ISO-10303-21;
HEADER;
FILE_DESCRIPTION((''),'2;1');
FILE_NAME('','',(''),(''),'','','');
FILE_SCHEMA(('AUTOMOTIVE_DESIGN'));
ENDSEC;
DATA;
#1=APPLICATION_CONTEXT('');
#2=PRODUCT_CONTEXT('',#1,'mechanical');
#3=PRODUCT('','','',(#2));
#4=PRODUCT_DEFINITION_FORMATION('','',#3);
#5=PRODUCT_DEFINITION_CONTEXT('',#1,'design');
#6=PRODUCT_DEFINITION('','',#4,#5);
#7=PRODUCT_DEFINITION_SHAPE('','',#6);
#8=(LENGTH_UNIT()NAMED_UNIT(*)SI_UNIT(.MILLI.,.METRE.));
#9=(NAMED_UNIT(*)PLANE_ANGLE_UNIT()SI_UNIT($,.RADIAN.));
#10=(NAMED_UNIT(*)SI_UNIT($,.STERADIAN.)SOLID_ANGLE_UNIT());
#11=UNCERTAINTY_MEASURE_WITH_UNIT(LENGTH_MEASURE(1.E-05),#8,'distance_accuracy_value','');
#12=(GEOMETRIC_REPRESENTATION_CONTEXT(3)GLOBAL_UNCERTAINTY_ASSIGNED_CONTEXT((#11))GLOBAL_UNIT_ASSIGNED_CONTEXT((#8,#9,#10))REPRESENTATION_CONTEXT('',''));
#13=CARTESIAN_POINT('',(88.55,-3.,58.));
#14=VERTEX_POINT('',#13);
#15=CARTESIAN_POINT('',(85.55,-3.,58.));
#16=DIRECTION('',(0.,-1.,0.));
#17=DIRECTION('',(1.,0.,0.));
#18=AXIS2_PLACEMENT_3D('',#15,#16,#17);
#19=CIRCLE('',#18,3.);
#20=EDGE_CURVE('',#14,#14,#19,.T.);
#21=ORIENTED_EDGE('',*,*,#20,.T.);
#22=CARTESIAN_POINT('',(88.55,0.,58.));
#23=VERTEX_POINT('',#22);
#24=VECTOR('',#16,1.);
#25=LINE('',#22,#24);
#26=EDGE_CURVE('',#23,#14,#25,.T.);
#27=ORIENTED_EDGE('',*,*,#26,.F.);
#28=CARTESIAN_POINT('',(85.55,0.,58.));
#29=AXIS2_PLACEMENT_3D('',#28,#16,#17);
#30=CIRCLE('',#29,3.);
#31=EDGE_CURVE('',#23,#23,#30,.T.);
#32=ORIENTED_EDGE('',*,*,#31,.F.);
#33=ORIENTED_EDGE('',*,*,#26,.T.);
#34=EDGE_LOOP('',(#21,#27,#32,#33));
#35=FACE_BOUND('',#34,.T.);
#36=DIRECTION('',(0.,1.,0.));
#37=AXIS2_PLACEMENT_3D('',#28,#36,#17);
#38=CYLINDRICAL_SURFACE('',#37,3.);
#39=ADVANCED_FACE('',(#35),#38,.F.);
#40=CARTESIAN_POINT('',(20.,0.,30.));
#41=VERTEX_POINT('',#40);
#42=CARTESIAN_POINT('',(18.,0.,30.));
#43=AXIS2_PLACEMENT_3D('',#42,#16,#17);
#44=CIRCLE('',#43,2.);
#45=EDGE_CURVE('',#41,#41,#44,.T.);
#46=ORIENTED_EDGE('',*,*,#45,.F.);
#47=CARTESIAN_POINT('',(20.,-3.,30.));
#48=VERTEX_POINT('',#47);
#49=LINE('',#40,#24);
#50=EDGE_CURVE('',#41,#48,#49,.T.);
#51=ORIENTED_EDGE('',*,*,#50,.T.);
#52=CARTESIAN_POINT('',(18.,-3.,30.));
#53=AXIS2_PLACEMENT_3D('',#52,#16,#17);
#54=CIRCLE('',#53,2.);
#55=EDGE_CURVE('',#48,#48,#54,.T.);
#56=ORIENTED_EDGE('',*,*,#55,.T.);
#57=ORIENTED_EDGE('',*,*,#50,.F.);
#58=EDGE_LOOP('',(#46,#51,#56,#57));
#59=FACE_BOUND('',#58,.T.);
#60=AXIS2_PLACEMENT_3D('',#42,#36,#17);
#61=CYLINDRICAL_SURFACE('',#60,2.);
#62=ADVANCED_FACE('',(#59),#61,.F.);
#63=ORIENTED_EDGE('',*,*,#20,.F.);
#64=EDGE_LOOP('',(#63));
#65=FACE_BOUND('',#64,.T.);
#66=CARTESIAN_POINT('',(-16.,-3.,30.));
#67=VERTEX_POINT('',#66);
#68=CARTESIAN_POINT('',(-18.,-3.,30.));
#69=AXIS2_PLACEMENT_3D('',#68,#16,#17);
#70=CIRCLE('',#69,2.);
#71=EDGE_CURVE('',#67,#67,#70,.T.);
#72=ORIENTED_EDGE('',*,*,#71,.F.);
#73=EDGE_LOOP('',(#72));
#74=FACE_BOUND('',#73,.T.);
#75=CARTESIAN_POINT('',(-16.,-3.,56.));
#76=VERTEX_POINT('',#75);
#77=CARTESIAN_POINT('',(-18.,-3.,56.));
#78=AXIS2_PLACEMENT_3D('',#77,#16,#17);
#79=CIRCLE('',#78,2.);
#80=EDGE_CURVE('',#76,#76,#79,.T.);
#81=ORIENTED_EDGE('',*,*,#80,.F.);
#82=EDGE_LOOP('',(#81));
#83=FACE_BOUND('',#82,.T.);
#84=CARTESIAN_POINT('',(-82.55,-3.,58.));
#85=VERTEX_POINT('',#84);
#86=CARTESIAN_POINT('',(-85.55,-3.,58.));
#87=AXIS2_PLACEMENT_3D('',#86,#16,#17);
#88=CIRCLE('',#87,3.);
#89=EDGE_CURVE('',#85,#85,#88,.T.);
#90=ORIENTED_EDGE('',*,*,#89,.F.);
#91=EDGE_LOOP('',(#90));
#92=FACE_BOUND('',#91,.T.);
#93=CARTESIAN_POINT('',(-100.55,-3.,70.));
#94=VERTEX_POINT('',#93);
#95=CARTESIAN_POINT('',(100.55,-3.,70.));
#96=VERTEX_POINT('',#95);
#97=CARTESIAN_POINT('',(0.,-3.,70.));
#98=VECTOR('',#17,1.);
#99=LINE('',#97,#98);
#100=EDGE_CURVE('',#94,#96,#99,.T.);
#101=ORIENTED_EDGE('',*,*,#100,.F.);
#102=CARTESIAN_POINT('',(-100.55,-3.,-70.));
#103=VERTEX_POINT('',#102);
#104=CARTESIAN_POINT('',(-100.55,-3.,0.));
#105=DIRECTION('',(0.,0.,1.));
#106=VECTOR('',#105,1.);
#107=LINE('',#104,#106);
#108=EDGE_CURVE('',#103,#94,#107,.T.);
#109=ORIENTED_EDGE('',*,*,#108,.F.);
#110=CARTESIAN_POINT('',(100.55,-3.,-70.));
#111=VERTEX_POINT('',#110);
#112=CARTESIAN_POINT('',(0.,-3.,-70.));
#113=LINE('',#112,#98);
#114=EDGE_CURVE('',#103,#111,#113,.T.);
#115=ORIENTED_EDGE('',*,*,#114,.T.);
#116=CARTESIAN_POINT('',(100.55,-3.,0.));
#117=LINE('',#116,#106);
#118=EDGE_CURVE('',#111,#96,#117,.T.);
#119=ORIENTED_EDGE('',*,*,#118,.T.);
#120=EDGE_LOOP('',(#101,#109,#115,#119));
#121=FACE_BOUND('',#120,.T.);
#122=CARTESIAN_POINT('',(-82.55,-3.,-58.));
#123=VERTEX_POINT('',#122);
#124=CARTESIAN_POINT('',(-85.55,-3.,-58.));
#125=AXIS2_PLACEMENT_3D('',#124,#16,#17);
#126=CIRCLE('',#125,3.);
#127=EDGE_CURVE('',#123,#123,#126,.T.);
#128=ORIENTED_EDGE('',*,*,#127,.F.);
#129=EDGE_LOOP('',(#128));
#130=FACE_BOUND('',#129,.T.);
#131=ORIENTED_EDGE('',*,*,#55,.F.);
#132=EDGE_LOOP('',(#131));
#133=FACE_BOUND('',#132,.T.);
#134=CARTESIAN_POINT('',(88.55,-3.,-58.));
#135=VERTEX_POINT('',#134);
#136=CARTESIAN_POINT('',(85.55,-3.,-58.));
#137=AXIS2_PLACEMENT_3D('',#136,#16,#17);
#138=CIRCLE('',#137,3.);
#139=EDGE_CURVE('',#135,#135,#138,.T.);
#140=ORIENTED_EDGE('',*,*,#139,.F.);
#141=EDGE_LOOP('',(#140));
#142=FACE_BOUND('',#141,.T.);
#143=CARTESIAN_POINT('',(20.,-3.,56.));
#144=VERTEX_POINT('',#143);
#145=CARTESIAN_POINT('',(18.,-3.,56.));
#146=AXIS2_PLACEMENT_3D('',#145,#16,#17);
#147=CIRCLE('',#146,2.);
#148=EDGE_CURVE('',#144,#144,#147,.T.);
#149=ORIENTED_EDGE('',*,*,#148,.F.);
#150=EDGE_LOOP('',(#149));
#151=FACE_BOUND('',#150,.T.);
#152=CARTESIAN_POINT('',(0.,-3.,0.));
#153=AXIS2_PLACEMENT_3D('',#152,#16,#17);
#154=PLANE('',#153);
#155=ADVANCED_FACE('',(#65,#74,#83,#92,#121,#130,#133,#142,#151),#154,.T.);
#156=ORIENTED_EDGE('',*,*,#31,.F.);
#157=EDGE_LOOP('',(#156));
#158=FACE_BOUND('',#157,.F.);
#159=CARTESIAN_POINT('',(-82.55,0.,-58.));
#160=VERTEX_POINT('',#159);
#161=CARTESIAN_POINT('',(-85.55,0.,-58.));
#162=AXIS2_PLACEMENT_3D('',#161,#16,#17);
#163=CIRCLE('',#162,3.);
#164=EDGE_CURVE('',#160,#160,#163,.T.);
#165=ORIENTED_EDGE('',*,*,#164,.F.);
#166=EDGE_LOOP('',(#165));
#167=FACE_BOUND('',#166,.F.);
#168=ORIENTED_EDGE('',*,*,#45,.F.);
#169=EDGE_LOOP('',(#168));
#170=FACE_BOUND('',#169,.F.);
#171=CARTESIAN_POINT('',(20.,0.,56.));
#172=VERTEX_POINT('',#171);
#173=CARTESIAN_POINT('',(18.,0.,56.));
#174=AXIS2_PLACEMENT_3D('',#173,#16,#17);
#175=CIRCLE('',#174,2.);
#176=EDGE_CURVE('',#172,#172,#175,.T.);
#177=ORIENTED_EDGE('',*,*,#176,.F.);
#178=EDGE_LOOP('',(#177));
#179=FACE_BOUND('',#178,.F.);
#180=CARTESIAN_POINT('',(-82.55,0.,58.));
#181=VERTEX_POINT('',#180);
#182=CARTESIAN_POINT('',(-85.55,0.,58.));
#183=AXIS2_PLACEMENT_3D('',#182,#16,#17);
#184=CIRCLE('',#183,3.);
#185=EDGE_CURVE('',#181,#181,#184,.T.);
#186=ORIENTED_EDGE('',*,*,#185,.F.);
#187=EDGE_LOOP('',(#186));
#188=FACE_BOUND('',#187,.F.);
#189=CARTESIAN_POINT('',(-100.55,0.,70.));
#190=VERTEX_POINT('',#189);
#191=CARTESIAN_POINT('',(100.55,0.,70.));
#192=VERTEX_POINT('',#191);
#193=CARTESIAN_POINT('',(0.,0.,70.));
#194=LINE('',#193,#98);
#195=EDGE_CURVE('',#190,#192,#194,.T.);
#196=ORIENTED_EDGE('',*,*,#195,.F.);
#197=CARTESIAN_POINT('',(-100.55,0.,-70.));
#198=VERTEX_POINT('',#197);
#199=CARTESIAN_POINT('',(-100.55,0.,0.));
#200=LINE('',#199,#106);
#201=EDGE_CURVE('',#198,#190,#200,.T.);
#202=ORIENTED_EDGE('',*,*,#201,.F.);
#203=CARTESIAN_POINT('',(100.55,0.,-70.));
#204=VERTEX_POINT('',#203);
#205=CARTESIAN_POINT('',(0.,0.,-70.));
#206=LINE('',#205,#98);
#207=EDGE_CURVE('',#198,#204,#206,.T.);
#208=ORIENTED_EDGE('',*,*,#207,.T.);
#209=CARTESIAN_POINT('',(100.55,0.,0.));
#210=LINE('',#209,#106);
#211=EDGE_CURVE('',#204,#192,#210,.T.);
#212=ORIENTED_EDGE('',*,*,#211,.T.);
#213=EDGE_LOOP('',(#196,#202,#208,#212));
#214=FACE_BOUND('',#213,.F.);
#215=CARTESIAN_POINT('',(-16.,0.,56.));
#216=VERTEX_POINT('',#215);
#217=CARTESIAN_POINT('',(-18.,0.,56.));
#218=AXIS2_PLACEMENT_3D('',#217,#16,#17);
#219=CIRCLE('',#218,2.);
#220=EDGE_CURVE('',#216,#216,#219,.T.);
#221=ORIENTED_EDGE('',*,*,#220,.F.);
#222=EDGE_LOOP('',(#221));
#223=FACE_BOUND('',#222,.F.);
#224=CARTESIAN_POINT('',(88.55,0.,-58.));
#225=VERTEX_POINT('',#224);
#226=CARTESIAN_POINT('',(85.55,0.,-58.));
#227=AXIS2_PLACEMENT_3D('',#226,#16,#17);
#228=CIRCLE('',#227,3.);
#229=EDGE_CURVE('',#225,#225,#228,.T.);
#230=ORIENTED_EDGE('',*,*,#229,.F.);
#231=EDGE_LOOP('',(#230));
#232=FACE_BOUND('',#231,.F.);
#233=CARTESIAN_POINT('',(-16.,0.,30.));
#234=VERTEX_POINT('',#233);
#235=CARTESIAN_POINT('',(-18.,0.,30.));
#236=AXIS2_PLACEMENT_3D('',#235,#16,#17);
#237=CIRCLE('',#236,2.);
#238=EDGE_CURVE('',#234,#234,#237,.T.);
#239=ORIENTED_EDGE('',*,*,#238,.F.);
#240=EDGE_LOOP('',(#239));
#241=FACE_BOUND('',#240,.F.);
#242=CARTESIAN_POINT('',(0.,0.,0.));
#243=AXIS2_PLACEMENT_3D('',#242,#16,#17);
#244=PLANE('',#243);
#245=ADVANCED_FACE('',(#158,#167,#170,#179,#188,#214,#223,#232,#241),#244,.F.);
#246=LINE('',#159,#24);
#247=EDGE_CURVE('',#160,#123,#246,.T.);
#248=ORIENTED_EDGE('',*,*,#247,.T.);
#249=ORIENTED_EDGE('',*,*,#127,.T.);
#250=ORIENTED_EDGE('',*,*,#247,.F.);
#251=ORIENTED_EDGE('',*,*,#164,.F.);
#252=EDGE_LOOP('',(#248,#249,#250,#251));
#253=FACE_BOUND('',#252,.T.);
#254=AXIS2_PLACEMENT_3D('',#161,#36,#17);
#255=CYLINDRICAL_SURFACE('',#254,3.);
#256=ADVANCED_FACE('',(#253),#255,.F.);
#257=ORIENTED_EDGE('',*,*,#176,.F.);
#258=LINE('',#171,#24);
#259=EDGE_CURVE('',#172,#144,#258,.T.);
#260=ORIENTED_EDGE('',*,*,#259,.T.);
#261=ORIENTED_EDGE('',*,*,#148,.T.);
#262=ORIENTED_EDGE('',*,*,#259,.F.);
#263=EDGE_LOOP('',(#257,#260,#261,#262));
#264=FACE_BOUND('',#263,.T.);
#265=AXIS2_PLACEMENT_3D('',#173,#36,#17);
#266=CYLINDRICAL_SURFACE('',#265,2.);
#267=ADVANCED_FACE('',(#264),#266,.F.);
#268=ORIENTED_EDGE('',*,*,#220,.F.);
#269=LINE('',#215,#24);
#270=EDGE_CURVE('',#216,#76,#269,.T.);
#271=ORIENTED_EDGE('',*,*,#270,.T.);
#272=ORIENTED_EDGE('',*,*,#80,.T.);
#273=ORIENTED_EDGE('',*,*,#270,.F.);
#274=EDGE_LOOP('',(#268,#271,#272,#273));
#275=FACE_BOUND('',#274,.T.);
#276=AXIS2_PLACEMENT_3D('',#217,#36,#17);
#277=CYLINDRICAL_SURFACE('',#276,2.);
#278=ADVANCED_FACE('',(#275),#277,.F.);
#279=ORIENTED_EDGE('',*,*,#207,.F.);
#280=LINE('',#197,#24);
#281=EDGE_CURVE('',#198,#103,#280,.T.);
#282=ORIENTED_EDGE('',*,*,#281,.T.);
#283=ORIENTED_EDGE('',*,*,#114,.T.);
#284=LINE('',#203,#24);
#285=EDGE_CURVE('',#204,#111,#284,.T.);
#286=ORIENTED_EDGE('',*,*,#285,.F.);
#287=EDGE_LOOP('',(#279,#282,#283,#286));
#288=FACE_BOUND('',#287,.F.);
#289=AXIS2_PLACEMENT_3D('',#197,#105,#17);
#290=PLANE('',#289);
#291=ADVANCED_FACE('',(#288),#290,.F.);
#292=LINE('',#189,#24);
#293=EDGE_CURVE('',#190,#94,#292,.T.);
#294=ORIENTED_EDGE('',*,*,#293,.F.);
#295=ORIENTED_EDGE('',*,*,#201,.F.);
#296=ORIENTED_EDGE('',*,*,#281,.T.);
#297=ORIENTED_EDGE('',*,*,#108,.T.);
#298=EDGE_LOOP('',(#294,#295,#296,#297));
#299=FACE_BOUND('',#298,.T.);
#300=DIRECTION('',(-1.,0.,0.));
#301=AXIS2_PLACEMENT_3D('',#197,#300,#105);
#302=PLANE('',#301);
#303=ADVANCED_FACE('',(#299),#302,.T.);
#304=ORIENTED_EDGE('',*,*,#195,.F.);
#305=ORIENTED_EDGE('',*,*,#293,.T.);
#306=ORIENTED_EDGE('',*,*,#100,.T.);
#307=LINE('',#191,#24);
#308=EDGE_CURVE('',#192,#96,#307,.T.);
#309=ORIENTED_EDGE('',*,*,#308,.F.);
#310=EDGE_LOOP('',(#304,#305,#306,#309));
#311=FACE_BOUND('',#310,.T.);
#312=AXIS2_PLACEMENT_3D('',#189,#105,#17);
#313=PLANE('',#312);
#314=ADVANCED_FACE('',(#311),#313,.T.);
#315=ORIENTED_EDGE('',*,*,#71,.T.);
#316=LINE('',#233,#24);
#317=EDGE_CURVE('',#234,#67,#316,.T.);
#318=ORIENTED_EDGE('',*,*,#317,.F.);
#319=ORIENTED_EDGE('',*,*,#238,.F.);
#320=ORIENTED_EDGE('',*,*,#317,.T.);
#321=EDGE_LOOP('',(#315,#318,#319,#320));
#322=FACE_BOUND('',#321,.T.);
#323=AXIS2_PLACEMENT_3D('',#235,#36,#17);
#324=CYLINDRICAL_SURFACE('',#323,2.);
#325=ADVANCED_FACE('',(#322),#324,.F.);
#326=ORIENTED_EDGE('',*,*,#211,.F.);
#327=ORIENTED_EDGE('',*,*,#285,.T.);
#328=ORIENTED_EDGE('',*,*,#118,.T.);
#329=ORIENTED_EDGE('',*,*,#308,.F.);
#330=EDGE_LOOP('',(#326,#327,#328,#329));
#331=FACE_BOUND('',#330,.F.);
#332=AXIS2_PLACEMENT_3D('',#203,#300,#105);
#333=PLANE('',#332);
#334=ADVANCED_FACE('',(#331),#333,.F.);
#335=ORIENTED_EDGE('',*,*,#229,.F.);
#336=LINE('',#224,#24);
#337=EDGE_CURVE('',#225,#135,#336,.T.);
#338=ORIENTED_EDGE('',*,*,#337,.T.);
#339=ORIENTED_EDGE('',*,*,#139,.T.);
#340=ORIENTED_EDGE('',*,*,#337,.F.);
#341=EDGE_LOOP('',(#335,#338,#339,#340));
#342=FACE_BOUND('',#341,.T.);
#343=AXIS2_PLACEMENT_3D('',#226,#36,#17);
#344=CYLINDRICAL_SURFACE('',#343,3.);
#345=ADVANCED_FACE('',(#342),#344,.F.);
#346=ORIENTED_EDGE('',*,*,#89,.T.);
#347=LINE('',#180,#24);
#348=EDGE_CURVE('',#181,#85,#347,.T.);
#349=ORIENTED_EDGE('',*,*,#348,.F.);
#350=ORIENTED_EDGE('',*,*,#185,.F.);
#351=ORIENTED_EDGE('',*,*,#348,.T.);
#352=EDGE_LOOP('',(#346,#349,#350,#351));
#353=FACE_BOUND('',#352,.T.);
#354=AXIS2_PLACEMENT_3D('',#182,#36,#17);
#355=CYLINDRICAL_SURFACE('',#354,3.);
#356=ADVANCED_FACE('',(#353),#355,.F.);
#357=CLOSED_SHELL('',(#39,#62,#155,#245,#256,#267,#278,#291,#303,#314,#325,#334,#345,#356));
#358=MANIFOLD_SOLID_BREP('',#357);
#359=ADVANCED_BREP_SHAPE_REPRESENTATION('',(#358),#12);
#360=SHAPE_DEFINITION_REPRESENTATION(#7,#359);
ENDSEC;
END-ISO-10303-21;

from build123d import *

# Parameters (mm, degrees)
F0_W     = 201.1
F0_H     = 140
F0_R     = 3
F0_R_2   = 2
F1_DEPTH = 3


with BuildPart() as f1:
    # F0 (on Front) → F1 (new body)
    with BuildSketch(Plane.XZ):
        Rectangle(F0_W, F0_H)
        with Locations((-85.55, -58)):
            Circle(F0_R, mode=Mode.SUBTRACT)
        with Locations((85.55, -58)):
            Circle(F0_R, mode=Mode.SUBTRACT)
        with Locations((-18, 30)):
            Circle(F0_R_2, mode=Mode.SUBTRACT)
        with Locations((-85.55, 58)):
            Circle(F0_R, mode=Mode.SUBTRACT)
        with Locations((-18, 56)):
            Circle(F0_R_2, mode=Mode.SUBTRACT)
        with Locations((18, 30)):
            Circle(F0_R_2, mode=Mode.SUBTRACT)
        with Locations((18, 56)):
            Circle(F0_R_2, mode=Mode.SUBTRACT)
        with Locations((85.55, 58)):
            Circle(F0_R, mode=Mode.SUBTRACT)
    extrude(amount=F1_DEPTH)


solid = f1.part
